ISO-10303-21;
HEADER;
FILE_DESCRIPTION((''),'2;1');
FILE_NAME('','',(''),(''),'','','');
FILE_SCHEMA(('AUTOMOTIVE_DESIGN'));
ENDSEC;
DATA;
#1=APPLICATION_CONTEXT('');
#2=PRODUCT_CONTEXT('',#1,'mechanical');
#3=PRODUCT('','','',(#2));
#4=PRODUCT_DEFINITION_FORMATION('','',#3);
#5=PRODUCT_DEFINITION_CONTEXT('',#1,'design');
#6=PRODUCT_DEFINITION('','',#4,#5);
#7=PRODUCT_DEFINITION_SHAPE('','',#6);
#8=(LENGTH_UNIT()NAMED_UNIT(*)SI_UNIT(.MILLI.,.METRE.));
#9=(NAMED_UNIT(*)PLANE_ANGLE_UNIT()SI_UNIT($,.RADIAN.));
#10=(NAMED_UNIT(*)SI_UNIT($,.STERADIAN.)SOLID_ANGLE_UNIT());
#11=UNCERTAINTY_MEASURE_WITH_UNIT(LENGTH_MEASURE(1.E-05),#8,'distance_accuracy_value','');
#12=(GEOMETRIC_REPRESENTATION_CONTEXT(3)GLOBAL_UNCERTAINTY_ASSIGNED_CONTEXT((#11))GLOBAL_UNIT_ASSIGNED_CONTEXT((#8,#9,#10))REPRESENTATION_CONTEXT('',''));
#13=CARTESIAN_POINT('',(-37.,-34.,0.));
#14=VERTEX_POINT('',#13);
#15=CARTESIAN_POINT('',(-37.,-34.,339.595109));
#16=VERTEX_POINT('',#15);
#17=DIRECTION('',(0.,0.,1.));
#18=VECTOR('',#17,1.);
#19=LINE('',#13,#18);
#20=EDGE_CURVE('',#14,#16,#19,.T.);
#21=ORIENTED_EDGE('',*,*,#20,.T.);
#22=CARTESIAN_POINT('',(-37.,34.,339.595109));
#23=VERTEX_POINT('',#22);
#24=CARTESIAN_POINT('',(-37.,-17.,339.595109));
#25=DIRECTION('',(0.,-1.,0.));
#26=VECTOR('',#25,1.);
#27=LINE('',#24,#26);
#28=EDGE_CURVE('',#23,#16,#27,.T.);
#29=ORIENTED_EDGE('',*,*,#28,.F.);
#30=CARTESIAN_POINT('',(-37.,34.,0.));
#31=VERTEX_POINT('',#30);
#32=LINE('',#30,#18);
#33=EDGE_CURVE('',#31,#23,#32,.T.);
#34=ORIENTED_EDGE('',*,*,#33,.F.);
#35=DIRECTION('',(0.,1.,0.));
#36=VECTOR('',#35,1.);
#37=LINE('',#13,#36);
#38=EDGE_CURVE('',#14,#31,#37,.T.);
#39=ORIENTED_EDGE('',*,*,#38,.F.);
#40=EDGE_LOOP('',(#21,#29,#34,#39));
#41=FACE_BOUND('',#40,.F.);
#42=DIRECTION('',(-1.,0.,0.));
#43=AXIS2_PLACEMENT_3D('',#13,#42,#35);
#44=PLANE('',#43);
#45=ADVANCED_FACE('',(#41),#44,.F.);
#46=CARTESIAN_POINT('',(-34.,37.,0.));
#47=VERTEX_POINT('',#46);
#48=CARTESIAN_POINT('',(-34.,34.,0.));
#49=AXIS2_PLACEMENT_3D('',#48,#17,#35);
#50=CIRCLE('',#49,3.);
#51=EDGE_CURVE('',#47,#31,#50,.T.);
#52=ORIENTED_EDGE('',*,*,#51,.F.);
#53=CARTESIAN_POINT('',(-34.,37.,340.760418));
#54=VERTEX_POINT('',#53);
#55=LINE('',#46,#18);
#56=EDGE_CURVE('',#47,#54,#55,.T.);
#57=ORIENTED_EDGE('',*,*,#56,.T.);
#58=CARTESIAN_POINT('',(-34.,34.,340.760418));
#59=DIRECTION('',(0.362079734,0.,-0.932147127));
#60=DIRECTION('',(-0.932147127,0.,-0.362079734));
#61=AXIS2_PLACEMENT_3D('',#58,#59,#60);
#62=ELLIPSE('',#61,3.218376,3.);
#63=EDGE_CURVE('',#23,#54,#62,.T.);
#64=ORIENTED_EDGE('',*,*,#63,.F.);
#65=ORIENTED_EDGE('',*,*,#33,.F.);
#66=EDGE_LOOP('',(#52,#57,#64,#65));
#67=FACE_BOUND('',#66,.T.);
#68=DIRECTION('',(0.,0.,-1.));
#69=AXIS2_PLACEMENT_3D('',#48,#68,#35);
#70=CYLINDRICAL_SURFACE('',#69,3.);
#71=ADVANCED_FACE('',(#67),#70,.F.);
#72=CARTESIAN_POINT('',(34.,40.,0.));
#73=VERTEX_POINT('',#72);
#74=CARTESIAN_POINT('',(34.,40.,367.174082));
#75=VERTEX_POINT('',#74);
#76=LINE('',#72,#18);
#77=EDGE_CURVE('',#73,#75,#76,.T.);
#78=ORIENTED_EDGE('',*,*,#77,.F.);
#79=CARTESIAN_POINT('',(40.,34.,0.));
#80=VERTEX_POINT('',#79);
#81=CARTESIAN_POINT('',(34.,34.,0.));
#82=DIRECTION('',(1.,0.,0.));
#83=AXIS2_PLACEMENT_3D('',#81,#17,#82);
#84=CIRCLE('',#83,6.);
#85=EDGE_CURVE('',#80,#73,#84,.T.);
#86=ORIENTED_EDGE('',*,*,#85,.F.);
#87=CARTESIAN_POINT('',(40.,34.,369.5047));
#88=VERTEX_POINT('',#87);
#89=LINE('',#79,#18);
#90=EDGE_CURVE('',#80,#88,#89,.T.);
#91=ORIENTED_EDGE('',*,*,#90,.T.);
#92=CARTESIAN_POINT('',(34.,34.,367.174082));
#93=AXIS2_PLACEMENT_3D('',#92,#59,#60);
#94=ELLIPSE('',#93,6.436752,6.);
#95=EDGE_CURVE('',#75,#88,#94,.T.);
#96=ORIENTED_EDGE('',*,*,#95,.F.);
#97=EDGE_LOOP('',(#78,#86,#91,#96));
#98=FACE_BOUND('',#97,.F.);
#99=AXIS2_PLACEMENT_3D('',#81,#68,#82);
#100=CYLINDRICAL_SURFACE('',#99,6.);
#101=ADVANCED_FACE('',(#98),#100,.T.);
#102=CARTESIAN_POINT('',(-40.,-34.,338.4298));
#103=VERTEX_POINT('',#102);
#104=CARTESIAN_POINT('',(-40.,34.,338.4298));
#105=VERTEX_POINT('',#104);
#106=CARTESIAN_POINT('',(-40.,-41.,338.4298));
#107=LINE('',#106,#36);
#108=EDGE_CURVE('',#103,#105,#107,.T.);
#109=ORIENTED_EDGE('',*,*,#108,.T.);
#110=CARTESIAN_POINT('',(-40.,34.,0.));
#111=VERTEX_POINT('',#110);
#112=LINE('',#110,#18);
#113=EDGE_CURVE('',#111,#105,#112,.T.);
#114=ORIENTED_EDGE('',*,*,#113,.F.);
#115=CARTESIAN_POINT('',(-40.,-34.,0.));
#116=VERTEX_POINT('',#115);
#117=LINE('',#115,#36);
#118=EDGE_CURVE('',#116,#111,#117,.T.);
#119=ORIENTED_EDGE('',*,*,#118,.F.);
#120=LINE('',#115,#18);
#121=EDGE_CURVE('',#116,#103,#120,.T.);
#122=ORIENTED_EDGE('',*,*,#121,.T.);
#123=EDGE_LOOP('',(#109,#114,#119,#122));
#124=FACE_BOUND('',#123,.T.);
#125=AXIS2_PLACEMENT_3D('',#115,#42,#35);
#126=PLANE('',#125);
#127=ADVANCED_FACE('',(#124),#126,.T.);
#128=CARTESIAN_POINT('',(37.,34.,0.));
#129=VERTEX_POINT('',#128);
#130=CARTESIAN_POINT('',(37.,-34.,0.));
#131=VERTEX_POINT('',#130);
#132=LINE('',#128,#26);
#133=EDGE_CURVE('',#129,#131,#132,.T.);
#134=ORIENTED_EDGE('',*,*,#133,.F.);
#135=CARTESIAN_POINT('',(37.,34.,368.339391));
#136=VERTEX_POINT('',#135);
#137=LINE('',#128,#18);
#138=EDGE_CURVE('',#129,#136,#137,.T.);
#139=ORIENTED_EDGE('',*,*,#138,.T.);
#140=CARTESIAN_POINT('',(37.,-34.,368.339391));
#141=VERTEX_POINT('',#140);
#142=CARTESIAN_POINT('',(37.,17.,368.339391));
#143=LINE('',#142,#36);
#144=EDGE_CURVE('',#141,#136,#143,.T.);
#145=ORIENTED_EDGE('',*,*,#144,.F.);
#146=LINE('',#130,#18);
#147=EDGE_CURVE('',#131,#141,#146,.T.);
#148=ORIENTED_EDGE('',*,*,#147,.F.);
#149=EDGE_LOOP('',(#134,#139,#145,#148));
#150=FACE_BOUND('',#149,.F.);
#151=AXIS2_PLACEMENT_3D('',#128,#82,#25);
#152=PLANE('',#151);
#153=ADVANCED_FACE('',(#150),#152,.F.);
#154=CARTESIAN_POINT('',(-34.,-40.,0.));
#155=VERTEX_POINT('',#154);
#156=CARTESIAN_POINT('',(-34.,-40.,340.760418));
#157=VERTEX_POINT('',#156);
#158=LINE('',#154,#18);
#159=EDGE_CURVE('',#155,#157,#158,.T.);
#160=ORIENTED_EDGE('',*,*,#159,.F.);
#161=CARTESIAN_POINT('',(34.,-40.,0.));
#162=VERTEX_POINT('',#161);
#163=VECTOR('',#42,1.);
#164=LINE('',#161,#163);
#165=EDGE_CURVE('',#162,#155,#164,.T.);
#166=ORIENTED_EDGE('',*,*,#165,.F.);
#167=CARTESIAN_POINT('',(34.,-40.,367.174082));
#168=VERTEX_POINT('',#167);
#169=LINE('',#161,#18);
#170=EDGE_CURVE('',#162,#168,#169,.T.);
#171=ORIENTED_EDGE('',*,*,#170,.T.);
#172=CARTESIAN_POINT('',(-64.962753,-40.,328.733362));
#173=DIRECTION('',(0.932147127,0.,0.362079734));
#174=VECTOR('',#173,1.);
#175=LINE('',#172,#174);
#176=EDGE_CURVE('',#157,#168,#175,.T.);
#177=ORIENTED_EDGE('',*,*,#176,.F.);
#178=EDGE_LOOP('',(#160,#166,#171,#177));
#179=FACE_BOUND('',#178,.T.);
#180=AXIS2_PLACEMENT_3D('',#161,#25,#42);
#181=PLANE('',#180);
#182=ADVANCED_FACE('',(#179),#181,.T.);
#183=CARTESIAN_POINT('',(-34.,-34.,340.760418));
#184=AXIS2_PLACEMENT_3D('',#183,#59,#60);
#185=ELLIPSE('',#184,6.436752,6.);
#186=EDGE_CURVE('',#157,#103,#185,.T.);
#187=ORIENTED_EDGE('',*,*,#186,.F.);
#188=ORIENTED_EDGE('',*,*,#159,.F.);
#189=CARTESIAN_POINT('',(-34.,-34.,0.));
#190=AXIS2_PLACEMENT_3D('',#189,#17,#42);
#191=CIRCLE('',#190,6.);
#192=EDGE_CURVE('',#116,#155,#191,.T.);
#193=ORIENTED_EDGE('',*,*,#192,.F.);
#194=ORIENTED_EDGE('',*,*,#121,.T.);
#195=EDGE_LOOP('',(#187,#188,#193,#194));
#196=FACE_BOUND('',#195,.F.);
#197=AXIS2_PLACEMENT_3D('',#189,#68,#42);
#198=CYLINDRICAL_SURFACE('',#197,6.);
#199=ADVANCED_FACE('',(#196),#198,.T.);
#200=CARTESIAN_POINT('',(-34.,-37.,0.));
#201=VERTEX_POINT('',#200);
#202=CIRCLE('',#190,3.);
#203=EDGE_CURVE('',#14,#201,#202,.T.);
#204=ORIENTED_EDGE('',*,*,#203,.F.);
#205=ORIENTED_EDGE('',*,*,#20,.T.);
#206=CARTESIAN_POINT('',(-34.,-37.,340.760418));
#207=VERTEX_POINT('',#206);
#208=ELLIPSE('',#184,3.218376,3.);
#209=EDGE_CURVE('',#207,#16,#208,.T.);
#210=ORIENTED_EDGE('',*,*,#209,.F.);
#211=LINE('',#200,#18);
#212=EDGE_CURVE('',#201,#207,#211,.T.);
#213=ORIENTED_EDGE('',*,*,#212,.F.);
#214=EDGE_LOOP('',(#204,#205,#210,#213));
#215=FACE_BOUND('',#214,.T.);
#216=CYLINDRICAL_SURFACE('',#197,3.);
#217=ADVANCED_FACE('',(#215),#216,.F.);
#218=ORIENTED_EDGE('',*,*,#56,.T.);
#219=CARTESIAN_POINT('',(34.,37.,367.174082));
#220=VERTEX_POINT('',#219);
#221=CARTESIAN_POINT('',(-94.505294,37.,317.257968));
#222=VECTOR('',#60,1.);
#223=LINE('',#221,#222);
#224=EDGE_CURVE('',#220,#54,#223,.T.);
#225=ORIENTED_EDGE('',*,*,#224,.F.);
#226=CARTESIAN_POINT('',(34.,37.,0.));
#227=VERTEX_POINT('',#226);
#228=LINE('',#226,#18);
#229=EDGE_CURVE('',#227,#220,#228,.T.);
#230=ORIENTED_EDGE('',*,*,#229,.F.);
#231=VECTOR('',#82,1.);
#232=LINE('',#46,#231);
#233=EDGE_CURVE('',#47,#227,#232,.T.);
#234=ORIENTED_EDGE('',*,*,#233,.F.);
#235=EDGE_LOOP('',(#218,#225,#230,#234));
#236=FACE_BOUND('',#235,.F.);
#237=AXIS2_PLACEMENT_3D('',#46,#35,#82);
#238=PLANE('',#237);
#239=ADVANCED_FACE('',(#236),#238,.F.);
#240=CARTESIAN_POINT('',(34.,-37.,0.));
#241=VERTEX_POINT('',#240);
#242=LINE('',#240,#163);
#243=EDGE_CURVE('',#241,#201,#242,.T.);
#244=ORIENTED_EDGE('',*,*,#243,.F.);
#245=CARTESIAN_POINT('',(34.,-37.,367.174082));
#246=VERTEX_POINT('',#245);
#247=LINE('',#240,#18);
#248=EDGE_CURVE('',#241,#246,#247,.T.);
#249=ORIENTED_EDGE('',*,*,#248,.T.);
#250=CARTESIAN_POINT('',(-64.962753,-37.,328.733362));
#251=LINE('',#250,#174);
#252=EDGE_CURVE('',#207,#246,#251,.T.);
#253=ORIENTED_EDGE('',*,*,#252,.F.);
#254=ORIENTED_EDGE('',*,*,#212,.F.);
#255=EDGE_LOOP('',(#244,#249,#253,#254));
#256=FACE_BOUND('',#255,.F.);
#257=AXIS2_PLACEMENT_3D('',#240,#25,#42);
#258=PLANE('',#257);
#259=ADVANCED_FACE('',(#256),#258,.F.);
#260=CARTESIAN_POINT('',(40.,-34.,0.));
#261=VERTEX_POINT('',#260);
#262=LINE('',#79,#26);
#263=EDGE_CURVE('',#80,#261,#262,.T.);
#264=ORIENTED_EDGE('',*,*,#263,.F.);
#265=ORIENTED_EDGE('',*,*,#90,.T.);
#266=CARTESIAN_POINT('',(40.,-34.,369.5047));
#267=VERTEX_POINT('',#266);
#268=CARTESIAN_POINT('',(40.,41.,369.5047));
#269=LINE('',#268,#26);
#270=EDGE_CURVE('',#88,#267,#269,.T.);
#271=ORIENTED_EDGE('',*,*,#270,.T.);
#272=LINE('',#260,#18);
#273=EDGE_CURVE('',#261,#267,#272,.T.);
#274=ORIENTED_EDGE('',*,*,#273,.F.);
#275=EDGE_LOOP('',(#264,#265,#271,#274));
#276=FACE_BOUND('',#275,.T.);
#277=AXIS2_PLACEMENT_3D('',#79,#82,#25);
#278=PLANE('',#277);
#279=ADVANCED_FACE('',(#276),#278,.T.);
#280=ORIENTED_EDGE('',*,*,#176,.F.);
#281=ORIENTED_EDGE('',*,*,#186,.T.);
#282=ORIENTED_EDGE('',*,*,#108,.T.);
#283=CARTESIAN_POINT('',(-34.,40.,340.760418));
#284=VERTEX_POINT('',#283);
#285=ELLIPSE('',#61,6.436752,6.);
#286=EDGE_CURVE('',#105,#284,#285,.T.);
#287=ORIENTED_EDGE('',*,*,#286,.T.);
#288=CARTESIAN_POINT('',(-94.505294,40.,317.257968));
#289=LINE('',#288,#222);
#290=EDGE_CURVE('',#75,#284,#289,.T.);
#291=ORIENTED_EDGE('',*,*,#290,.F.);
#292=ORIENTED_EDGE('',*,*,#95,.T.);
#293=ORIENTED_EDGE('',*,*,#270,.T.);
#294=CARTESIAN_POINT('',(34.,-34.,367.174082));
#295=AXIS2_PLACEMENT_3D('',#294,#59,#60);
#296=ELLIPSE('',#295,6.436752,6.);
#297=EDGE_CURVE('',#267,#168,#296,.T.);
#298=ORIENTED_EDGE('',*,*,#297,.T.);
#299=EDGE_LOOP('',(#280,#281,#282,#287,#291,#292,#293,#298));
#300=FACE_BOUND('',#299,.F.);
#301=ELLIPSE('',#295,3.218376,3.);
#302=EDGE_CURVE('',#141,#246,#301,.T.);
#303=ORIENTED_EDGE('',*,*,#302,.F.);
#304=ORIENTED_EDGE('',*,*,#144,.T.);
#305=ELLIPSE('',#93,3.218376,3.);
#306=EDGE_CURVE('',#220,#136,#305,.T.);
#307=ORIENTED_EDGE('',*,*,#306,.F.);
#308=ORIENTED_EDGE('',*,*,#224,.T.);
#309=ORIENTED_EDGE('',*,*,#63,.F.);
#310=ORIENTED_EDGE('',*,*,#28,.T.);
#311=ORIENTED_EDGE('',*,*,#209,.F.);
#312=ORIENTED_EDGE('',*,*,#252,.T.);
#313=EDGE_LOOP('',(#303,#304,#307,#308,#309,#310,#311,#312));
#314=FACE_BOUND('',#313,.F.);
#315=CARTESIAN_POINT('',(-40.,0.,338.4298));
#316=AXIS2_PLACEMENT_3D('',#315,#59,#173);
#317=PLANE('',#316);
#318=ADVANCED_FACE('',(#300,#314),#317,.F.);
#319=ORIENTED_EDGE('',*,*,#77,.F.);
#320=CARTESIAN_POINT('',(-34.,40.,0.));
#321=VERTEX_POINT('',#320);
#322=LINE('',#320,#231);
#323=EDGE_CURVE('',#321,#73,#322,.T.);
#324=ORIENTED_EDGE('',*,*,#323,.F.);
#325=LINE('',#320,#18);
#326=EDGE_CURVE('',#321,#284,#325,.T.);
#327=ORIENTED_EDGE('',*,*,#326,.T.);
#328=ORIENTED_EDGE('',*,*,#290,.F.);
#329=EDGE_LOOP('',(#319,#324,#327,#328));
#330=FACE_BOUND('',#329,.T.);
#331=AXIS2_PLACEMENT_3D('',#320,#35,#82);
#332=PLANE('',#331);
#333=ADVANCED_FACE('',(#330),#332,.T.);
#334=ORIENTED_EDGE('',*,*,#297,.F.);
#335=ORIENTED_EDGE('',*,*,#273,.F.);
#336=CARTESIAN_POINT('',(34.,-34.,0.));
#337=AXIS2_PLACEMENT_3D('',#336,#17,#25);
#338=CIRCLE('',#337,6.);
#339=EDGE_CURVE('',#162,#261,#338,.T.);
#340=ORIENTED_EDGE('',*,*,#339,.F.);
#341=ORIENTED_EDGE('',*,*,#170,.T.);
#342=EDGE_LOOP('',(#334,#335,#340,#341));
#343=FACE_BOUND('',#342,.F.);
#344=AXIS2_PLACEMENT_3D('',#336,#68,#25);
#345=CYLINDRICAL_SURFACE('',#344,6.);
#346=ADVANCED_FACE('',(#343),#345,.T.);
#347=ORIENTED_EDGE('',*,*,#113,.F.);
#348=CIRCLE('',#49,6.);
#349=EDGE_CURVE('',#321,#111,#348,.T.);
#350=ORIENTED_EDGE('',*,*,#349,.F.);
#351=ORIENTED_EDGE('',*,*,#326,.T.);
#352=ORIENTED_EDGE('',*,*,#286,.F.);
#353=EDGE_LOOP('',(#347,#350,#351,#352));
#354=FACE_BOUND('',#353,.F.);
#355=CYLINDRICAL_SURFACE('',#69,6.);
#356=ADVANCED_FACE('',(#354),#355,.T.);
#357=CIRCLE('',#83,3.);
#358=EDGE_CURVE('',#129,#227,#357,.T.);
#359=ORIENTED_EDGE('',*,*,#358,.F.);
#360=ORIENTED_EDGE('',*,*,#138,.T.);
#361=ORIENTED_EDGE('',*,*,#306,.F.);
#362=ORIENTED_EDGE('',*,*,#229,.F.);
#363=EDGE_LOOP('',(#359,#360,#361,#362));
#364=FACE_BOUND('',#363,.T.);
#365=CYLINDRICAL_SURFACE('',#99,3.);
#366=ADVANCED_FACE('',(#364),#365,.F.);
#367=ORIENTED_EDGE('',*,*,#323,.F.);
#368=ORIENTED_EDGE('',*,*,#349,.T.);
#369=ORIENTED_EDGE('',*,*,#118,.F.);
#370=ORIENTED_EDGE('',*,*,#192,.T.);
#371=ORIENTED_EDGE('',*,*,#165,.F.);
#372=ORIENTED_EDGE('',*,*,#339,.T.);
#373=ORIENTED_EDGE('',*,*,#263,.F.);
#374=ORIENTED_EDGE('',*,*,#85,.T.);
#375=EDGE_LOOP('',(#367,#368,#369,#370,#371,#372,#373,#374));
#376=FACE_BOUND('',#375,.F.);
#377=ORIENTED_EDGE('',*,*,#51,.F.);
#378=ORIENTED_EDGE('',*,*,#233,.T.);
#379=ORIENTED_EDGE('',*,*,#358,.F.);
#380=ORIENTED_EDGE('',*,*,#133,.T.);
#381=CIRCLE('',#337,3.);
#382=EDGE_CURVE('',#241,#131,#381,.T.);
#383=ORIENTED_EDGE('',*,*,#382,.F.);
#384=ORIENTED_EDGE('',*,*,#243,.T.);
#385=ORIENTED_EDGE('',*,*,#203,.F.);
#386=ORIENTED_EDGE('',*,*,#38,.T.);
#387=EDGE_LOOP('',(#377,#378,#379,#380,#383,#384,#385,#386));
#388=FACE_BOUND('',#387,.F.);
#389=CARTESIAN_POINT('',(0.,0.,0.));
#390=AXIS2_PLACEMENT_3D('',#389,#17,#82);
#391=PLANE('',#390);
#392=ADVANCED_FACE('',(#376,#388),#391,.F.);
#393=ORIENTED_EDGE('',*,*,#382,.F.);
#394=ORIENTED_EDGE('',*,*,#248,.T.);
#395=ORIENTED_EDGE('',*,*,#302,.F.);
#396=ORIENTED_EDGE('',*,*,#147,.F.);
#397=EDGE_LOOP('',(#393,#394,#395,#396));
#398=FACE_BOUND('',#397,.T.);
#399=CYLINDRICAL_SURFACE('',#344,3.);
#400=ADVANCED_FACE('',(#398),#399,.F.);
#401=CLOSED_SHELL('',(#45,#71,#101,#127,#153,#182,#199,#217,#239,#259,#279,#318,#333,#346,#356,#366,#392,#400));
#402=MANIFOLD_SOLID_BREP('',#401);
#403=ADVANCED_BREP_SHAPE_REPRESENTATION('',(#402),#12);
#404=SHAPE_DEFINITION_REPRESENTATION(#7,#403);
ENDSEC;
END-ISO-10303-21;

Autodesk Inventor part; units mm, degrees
ref_plane "YZ Plane" through (0, 0, 0) normal (1, 0, 0) x (0, 1, 0)
ref_plane "Start plane" through (0, 0, 0) normal (0, 0, 1) x (1, 0, 0)
ref_plane "End plane" through (0, 0, 1000) normal (0, 0, 1) x (1, 0, 0)
sketch "Sketch" plane through (0, 0, 0) normal (0, 0, 1) x (1, 0, 0)
  line L0 (-40, -34) -> (-40, 34)
  line L1 (-34, 40) -> (34, 40)
  line L2 (40, 34) -> (40, -34)
  line L3 (34, -40) -> (-34, -40)
  arc A0 (-40, -34) -> (-34, -40) centre (-34, -34) ccw
  arc A1 (40, 34) -> (34, 40) centre (34, 34) ccw
  arc A2 (-34, 40) -> (-40, 34) centre (-34, 34) ccw
  arc A3 (34, -40) -> (40, -34) centre (34, -34) ccw
  arc A4 (-34, 37) -> (-37, 34) centre (-34, 34) ccw
  line L4 (-34, 37) -> (34, 37)
  arc A5 (37, 34) -> (34, 37) centre (34, 34) ccw
  line L5 (37, 34) -> (37, -34)
  arc A6 (34, -37) -> (37, -34) centre (34, -34) ccw
  line L6 (34, -37) -> (-34, -37)
  arc A7 (-37, -34) -> (-34, -37) centre (-34, -34) ccw
  line L7 (-37, -34) -> (-37, 34)
  line L8 (0, 57.7397) -> (0, -57.7397) construction
  line L9 (-1453.6197, 0) -> (290.3864, 0) construction
  dimension "d7" = 6
  dimension "d9" = 80
  dimension "d11" = 80
  dimension "d12" = 3
  dimension "d15" = 40
  dimension "d16" = 40
extrude "Body" add sketch "Sketch" along normal up to surface (1000 mm away) from surface at 0
sketch "Sketch3" plane through (0, 0, 0) normal (0, 0, 1) x (1, 0, 0)
  line L0 (0, 0) -> (10, 0)
ref_plane "Work Plane3" through (0, 0, 0) normal (0, -1, 0) x (1, 0, 0)
sketch "Sketch5" plane through (0, 0, 0) normal (0, 1, 0) x (-1, 0, 0)
  line L0 (-40, 0) -> (-40, 1000) projected
  line L1 (40, 0) -> (40, 1000) projected
  line L2 (40, 0) -> (40, 1000) projected
  line L3 (40, 349.1577) -> (340, 349.1577) construction
  line L4 (-80.663, 399.3796) -> (760.663, 399.3796) construction
  arc A0 (-80.663, 399.3796) -> (340, 300) centre (340, 1240) ccw construction
  line L5 (-130, 479.2385) -> (810, 479.2385) construction
  arc A1 (-130, 479.2385) -> (-80.663, 399.3796) centre (-40.7, 479.2385) ccw construction
  arc A2 (760.663, 399.3796) -> (810, 479.2385) centre (720.7, 479.2385) ccw
  line L6 (-130, 479.2385) -> (-130, 519.2385)
  line L7 (810, 479.2385) -> (810, 519.2385)
  line L8 (-130, 519.2385) -> (340, 519.2385) construction
  line L9 (340, 519.2385) -> (340, 0)
  arc A3 (340, 300) -> (760.663, 399.3796) centre (340, 1240) ccw
  line L10 (340, 519.2385) -> (810, 519.2385)
  point P0 (0, 0)
  dimension "d22" = 300
  dimension "d24" = 940
  dimension "d25" = 89.3
  dimension "d26" = 40
  dimension "d27" = 940
  dimension "d28" = 300
  dimension "d30" = 349.1577
sketch "Sketch6" plane through (0, 0, 0) normal (0, 1, 0) x (-1, 0, 0)
  line L0 (40, 0) -> (40, 1000) projected
  line L1 (40, 0) -> (40, 1000) projected
  line L2 (-40, 0) -> (-40, 1000) projected
  line L3 (-40, 0) -> (-40, 1000) projected
  line L4 (34, 1000) -> (40, 1000) projected
  line L5 (40, 1000) -> (-40, 1000)
  line L6 (-40, 380.2326) -> (40, 349.1577)
  arc A0 (-80.663, 399.3796) -> (340, 300) centre (340, 1240) ccw construction
  line L7 (40, 338.4298) -> (-40, 369.5047)
  point P0 (0, 0)
  point P1 (-40, 380.2326)
  dimension "d33" = 10
extrude "Extrusion2" cut sketch "Sketch6" along normal through all both and the other way through all
sketch "Sketch4" plane through (0, 0, 0) normal (0, -1, 0) x (1, 0, 0)
  line L0 (-1453.3712, 0) -> (288.8952, 0) projected
  line L1 (-1453.3712, 1000) -> (288.8952, 1000) projected
  dimension "d18" = 1000
equation "\"d7\" = G_IR"
equation "\"d9\" = G_W"
equation "\"d11\" = G_H"
equation "\"d12\" = G_T"
equation "\"d15\" = 0.5 * d9"
equation "\"d16\" = 0.5 * d11"
equation "\"d3\" = G_L"
equation "\"d22\" = 0.5 * Diam_of_legs_center"
equation "\"d24\" = d27"
equation "\"d25\" = 0.095 * d27"
equation "\"d27\" = MAIN_filter_diam"
equation "\"G_W\" = 80"
equation "\"G_H\" = 80"
equation "\"G_T\" = 3"
equation "\"G_IR\" = 6"
equation "\"G_L\" = d18"
equation "\"G_OFFSET_START\" = 0"
equation "\"G_OFFSET_END\" = 0"
equation "\"Diam_of_legs_center\" = 600"
equation "\"MAIN_filter_diam\" = 940"
properties part number "PNS 1692 Leg tube" material "Steel, Mild"
